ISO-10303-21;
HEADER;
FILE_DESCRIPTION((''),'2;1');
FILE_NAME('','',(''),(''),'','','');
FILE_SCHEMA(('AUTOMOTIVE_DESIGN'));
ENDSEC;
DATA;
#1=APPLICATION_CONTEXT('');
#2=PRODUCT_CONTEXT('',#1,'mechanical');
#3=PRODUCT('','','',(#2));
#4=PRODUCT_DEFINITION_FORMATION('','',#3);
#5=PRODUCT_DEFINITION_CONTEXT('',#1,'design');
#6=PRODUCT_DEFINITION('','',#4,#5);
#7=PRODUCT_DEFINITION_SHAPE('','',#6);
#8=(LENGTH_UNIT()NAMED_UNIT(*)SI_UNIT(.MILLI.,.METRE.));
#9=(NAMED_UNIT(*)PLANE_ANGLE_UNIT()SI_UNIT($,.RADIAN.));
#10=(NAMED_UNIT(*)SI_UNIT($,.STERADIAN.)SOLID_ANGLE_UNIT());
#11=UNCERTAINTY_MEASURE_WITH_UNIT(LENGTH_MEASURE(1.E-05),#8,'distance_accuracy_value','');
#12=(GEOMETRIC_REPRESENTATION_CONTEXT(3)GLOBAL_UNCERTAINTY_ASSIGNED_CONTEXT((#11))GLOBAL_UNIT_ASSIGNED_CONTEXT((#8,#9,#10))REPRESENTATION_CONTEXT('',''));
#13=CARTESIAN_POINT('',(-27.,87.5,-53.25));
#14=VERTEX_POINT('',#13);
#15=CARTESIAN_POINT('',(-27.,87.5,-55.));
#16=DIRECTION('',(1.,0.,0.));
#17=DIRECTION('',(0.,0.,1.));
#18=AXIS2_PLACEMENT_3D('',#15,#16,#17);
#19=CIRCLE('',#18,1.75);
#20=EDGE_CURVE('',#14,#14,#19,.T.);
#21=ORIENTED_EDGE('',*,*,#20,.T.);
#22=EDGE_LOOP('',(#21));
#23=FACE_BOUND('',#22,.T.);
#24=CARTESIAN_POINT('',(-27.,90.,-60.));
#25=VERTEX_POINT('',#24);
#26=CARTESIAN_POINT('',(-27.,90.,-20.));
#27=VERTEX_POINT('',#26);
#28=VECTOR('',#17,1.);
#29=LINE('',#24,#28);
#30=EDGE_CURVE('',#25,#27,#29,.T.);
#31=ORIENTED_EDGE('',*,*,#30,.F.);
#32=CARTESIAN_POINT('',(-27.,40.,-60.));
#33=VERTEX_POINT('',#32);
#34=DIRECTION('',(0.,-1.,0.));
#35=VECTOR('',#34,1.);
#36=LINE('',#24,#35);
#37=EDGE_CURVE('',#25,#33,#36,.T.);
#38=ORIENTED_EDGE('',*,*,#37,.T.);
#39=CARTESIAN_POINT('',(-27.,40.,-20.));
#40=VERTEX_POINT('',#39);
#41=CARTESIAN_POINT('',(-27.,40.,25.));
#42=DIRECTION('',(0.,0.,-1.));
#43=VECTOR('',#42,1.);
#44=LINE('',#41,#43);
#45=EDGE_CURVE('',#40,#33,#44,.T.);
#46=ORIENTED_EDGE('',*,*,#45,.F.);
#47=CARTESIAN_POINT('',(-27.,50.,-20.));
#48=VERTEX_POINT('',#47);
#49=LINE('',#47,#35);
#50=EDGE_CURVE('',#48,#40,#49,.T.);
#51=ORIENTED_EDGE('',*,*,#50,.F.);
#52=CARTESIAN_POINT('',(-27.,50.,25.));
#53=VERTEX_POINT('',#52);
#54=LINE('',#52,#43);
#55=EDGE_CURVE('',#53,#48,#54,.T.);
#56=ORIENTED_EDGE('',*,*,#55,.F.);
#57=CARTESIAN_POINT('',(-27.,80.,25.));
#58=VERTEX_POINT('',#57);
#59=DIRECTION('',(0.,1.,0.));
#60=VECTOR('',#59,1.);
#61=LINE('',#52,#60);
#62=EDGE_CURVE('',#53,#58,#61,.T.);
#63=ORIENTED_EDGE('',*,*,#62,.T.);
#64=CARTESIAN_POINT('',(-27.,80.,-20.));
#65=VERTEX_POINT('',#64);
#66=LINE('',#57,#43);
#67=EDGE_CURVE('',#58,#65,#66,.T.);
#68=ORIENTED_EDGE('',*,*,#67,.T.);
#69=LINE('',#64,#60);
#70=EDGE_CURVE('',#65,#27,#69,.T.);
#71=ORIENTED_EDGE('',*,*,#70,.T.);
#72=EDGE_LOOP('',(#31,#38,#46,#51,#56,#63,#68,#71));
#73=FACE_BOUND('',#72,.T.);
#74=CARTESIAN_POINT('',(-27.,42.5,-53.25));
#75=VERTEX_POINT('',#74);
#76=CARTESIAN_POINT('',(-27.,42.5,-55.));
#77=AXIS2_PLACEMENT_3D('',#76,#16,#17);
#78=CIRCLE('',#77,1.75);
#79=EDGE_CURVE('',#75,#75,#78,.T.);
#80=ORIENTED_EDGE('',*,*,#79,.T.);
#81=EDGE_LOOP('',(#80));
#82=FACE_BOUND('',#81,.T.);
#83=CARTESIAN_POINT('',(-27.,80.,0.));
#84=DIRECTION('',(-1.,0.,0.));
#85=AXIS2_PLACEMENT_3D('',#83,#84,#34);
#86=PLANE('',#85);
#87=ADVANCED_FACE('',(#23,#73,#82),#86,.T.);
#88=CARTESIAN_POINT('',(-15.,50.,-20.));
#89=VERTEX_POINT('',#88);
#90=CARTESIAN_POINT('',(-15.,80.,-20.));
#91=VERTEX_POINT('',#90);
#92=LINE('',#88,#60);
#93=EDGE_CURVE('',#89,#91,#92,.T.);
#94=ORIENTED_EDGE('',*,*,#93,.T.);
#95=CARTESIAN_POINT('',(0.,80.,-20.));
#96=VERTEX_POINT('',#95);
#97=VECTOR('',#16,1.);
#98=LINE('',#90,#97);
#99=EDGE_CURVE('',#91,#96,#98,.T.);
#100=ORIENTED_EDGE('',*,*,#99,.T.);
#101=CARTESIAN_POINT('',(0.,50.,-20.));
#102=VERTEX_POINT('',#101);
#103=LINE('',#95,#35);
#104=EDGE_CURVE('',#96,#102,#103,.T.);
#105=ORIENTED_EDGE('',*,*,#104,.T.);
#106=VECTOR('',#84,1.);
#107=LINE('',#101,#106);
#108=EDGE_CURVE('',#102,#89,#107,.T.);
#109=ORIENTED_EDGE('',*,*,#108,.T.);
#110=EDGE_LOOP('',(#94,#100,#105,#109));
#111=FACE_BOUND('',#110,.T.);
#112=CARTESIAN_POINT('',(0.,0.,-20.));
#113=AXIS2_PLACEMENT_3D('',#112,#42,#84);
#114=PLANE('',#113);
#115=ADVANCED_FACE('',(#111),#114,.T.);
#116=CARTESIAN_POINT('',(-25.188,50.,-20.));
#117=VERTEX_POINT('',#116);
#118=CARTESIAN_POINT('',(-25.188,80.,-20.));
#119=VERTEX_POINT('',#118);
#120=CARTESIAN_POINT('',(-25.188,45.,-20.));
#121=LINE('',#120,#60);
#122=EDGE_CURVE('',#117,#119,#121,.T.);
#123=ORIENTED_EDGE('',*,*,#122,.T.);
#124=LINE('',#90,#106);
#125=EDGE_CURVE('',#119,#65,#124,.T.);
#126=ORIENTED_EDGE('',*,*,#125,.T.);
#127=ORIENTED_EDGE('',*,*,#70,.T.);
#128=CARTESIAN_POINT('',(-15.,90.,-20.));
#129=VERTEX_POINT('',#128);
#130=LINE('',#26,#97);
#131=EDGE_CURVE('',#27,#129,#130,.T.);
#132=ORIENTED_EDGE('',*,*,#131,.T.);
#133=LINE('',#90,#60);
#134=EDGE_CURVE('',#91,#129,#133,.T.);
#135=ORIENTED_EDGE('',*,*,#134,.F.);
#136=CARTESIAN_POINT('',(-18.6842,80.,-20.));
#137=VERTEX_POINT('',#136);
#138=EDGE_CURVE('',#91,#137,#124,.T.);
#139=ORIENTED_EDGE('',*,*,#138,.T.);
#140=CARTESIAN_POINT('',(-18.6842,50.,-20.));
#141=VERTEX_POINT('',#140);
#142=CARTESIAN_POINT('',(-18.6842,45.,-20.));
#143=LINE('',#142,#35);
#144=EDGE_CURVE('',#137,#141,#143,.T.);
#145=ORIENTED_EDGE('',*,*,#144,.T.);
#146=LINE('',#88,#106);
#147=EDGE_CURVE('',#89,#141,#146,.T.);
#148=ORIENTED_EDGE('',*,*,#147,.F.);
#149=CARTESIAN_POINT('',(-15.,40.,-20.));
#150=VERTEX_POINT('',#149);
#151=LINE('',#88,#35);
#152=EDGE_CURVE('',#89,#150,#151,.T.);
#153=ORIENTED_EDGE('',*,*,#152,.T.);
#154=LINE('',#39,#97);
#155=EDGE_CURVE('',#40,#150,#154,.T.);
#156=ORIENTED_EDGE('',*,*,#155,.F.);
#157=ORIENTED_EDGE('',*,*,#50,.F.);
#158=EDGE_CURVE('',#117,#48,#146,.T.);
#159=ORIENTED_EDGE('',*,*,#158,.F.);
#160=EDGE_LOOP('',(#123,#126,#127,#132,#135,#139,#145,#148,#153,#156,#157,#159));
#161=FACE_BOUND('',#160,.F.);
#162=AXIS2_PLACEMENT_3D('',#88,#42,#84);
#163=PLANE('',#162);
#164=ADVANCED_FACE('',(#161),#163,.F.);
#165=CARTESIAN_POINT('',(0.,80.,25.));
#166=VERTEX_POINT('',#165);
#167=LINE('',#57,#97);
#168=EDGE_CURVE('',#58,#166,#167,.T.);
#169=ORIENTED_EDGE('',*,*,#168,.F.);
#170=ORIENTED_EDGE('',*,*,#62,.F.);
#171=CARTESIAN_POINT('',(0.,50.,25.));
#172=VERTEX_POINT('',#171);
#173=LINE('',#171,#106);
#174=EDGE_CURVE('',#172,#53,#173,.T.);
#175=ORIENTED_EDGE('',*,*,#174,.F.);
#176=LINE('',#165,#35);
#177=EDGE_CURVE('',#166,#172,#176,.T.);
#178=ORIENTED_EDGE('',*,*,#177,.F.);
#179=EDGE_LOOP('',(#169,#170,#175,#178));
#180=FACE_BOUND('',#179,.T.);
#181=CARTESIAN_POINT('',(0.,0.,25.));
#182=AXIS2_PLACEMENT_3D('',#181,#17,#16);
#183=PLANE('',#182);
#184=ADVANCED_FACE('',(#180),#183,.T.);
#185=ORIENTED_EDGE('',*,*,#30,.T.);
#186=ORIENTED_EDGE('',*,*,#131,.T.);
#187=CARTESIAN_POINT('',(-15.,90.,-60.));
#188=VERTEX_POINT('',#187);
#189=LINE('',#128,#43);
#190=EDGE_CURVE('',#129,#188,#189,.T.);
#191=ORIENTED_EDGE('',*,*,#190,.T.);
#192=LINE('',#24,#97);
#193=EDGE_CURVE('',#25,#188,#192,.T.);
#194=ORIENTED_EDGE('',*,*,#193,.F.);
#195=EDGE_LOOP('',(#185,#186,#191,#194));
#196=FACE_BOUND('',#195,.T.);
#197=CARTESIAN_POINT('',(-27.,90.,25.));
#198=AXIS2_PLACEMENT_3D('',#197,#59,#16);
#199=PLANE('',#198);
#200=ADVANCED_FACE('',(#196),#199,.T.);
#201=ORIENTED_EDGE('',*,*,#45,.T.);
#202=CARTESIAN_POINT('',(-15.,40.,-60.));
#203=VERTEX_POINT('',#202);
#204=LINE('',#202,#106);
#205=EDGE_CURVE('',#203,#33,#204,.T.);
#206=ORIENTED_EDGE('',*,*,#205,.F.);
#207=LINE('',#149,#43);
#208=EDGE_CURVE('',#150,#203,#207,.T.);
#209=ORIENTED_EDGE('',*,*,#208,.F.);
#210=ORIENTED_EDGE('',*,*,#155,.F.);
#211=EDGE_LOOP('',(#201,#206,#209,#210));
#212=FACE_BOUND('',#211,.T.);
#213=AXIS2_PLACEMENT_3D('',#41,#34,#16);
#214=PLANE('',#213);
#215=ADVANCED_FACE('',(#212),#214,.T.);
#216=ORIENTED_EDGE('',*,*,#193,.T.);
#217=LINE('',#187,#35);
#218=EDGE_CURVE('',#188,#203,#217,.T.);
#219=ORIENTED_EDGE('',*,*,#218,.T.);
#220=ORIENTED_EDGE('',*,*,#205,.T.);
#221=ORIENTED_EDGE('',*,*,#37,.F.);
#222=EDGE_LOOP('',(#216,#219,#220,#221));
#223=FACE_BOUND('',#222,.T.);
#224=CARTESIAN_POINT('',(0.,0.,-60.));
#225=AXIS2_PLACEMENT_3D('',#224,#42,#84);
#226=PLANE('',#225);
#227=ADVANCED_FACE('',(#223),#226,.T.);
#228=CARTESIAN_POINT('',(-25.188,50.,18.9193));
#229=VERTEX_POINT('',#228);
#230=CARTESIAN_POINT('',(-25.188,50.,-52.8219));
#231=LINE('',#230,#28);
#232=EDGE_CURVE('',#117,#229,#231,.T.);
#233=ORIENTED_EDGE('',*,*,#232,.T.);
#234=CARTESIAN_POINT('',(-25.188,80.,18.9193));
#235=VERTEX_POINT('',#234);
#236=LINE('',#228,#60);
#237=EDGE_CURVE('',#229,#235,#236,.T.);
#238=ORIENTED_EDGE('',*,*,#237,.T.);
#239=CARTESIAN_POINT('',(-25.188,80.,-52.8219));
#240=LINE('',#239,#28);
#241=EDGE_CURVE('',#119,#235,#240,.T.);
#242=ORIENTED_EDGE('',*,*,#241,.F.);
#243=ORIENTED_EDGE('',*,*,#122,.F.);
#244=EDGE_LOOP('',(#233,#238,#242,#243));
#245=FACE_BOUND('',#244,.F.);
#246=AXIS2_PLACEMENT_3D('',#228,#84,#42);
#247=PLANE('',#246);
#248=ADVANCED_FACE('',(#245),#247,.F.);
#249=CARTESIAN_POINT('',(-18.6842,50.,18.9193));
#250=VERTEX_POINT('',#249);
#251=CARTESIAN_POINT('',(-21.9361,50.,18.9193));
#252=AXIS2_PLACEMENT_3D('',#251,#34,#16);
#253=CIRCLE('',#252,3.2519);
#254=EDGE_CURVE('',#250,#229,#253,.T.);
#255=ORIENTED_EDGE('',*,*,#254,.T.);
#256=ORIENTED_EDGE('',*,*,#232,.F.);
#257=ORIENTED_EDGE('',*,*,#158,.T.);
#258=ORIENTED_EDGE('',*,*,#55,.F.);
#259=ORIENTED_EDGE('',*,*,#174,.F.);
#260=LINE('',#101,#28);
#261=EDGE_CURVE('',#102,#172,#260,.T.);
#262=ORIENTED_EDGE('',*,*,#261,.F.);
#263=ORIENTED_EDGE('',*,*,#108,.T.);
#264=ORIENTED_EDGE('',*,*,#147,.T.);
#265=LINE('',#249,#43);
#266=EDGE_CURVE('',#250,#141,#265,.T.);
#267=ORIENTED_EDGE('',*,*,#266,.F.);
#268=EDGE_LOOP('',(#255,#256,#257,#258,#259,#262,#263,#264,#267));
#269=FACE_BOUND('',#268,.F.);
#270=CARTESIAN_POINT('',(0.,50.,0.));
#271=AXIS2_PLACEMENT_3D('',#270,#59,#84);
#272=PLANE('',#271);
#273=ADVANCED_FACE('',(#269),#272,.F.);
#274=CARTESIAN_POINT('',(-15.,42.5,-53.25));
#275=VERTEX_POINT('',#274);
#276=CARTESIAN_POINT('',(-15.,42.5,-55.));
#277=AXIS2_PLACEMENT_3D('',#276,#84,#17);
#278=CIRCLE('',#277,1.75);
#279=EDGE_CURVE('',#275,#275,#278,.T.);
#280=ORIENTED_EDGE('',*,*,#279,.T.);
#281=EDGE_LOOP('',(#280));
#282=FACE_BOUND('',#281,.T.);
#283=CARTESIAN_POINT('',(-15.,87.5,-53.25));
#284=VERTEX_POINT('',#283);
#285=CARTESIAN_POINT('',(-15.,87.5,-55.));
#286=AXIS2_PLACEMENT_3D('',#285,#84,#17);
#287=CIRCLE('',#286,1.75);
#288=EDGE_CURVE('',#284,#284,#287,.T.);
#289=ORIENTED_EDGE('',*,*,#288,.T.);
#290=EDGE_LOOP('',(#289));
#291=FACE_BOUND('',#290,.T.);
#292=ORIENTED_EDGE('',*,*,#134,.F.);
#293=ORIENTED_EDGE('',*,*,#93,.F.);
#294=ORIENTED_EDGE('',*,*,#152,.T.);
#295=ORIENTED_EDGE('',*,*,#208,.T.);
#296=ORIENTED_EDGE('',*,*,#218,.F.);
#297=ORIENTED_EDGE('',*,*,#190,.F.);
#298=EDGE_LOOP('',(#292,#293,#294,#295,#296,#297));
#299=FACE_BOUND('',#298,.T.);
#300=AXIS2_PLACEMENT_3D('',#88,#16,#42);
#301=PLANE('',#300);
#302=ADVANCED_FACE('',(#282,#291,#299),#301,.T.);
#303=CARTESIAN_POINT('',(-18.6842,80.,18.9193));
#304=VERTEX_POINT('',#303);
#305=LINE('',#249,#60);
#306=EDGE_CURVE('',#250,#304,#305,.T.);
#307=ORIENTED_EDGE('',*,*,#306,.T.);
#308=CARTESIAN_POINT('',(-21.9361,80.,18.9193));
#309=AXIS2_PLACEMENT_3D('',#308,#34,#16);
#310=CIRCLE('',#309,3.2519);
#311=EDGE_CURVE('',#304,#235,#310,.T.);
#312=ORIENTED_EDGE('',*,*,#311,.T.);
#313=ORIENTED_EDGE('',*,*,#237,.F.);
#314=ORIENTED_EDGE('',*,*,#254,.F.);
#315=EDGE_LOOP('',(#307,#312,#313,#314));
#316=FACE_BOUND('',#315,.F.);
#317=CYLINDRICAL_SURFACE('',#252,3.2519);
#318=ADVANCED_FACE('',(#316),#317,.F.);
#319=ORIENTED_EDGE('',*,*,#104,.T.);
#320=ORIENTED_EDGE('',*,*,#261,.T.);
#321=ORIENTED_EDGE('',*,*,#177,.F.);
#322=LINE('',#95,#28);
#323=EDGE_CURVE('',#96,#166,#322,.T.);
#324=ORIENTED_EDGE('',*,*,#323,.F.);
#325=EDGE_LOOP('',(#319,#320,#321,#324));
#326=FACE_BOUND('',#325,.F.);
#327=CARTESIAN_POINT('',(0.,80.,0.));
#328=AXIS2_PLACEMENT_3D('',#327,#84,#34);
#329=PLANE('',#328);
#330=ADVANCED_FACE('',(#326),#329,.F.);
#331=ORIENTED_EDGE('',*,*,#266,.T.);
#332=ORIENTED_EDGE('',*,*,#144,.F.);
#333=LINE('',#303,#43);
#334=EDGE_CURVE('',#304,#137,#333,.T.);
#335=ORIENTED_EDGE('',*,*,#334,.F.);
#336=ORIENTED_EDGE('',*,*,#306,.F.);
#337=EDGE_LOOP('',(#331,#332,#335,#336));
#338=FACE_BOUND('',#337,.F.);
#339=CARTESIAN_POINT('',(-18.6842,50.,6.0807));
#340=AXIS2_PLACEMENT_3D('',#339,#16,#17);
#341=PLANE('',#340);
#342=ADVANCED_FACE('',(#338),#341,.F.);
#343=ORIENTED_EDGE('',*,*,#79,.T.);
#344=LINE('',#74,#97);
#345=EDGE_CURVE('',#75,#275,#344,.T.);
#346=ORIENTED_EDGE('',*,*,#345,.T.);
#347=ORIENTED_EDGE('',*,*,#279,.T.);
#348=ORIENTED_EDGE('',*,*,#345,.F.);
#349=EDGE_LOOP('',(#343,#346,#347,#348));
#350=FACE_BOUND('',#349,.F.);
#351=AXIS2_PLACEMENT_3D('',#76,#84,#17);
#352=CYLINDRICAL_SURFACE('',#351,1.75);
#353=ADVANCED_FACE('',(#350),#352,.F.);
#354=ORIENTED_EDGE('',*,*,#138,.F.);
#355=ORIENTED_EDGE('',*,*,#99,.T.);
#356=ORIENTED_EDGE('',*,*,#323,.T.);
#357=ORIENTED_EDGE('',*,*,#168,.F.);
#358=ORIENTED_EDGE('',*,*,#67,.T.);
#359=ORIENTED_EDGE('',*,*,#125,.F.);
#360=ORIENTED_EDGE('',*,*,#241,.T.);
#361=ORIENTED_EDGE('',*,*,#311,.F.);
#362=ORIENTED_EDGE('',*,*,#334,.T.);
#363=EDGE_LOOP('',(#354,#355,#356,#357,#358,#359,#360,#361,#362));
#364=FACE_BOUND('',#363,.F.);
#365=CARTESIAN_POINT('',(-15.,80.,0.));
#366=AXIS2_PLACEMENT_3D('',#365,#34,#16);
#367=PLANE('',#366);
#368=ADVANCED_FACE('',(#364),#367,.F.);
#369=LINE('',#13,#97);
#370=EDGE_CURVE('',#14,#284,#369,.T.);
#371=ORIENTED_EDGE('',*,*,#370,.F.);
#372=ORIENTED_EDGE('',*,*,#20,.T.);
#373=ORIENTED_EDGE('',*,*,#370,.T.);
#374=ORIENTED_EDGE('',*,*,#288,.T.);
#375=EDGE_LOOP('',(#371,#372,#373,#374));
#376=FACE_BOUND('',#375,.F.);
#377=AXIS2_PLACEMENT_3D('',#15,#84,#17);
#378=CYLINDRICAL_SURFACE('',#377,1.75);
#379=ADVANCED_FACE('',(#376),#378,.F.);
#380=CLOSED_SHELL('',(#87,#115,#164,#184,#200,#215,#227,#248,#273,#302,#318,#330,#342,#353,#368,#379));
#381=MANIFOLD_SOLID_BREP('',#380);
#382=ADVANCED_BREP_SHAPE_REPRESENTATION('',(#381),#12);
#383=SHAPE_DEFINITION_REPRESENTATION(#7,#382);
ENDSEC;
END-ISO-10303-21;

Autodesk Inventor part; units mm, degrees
ref_plane "YZ Plane" through (0, 0, 0) normal (1, 0, 0) x (0, 1, 0)
ref_plane "XZ Plane" through (0, 0, 0) normal (0, 1, 0) x (-1, 0, 0)
ref_plane "XY Plane" through (0, 0, 0) normal (0, 0, 1) x (1, 0, 0)
ref_plane "Arbeitsebene1" through (0, 0, 0) normal (0, 0, 1) x (1, 0, 0)
sketch "Skizze1" plane through (0, 0, 0) normal (0, 0, 1) x (1, 0, 0)
  circle A0 centre (-13.5, 65) radius 3 construction
  circle A1 centre (-13.5, 65) radius 3 construction
  line L0 (0, 130) -> (0, 0) construction
  line L1 (0, 130) -> (-27, 130) construction
  line L2 (-27, 0) -> (-27, 130) construction
  line L3 (0, 0) -> (-27, 0) construction
  line L4 (-27, 80) -> (0, 80)
  line L5 (0, 80) -> (0, 50)
  line L6 (0, 50) -> (-27, 50)
  line L7 (-27, 50) -> (-27, 80)
  line L8 (-27, 80) -> (0, 50) construction
  line L9 (0, 80) -> (-27, 50) construction
  dimension "d0" = 30
extrude "Extrusion1" add sketch "Skizze1" along normal blind 25
sketch "Skizze3" plane through (-27, 80, 0) normal (0, 1, 0) x (1, 0, 0)
  line L0 (0, 0) -> (0, -25) projected
  line L1 (0, 0) -> (5.0639, 0)
  line L2 (5.0639, 0) -> (5.0639, -24.302)
  line L3 (5.0639, -24.302) -> (0, -24.302)
  line L4 (0, -24.302) -> (0, 0)
  circle A0 centre (5.0639, -18.8642) radius 3.15
  circle A1 centre (5.0639, -8.0952) radius 3.15
  circle A2 centre (5.0639, -12.5) radius 3.25
  point P0 (27, 0)
  dimension "d6" = 6.3
  dimension "d7" = 6.3
  dimension "d10" = 6.5
extrude "Extrusion4" cut sketch "Skizze3" against normal through all contours A2 A1 L2 | L2 A1 A2 | A1 L2 A0 A2 | A2 A0 L2 | L2 A0 A2 | A1 A2 A0 L2 picked at (5.2798, -10.5577) picked at (4.848, -10.5577) picked at (5.0263, -15.7268) picked at (5.1015, -15.7268)
sketch "Skizze5" plane through (-27, 50, 0) normal (0, -1, 0) x (1, 0, 0)
  circle A0 centre (5.0639, 12.5) radius 3.25 construction
  line L0 (5.0639, 18.9193) -> (5.0639, 6.0807) construction
  line L1 (1.812, 18.9193) -> (1.812, 6.0807)
  line L2 (8.3158, 6.0807) -> (8.3158, 18.9193)
  arc A1 (8.3158, 18.9193) -> (1.812, 18.9193) centre (5.0639, 18.9193) ccw
  arc A2 (1.812, 6.0807) -> (8.3158, 6.0807) centre (5.0639, 6.0807) ccw
  point P0 (27, 0)
extrude "Extrusion6" cut sketch "Skizze5" against normal through all
sketch "Skizze6" plane through (0, 0, 0) normal (0, 0, -1) x (-1, 0, 0)
  line L0 (27, 50) -> (0, 50) projected
  line L1 (27, 80) -> (0, 80) projected
  line L2 (27, 50) -> (15, 50)
  line L3 (15, 50) -> (15, 80)
  line L4 (15, 80) -> (27, 80)
  line L5 (27, 80) -> (27, 50)
  point P0 (0, 0)
  dimension "d20" = 12
extrude "Extrusion7" add sketch "Skizze6" along normal blind 60
sketch "Skizze7" plane through (-27, 80, 25) normal (0, 1, 0) x (1, 0, 0)
  line L0 (12, 25) -> (27, 25) construction
  line L1 (12, 25) -> (12, 85) construction
  line L2 (0, 85) -> (12, 85) construction
  line L3 (0, 85) -> (0, 0) construction
  line L4 (27, 0) -> (0, 0) construction
  line L5 (27, 25) -> (27, 0) construction
  arc A0 (8.3158, 18.9193) -> (1.812, 18.9193) centre (5.0639, 18.9193) ccw construction
  line L6 (8.3158, 18.9193) -> (8.3158, 6.0807) construction
  arc A1 (1.812, 6.0807) -> (8.3158, 6.0807) centre (5.0639, 6.0807) ccw construction
  line L7 (1.812, 6.0807) -> (1.812, 18.9193) construction
  line L8 (5.0639, 18.9193) -> (5.0639, 77.8219) construction
  line L9 (8.3158, 18.9193) -> (8.3158, 77.8219)
  line L10 (1.812, 77.8219) -> (1.812, 18.9193)
  arc A2 (1.812, 18.9193) -> (8.3158, 18.9193) centre (5.0639, 18.9193) ccw
  arc A3 (8.3158, 77.8219) -> (1.812, 77.8219) centre (5.0639, 77.8219) ccw
  point P0 (27, 25)
  point P1 (5.0639, 48.3706)
extrude "Extrusion8" cut sketch "Skizze7" against normal through all
sketch "Skizze8" plane through (0, 0, 0) normal (0, 0, -1) x (-1, 0, 0)
  line L0 (15, 50) -> (15, 80) projected
  line L1 (15, 80) -> (0, 80) projected
  line L2 (0, 80) -> (0, 50) projected
  line L3 (0, 50) -> (15, 50) projected
  point P0 (0, 0)
extrude "Extrusion9" add sketch "Skizze8" along normal blind 20
sketch "Skizze10" plane through (-27, 50, 25) normal (0, -1, 0) x (1, 0, 0)
  line L0 (1.812, -77.8219) -> (1.812, -6.0807) projected
  arc A0 (8.3158, -6.0807) -> (1.812, -6.0807) centre (5.0639, -6.0807) ccw projected
  line L1 (8.3158, -6.0807) -> (8.3158, -77.8219) projected
  arc A1 (1.812, -77.8219) -> (8.3158, -77.8219) centre (5.0639, -77.8219) ccw projected
  line L2 (27, 0) -> (27, -45) projected
  line L3 (0, 0) -> (27, 0) projected
  line L4 (0, 0) -> (0, -85) projected
  line L5 (12, -85) -> (0, -85) projected
  line L6 (12, -45) -> (12, -85) projected
  line L7 (27, -45) -> (12, -45) projected
  line L8 (12, -45) -> (12, -85) projected
  line L9 (12, -45) -> (0, -45)
  point P0 (27, -25)
extrude "Extrusion10" add sketch "Skizze10" along normal blind 10 contours A1 L1 L9 L6 L5 L4 L0 | L0 L9 L1 A1
sketch "Skizze11" plane through (-27, 80, 25) normal (0, 1, 0) x (1, 0, 0)
  line L0 (0, 85) -> (0, 0) projected
  line L1 (27, 0) -> (0, 0) projected
  line L2 (27, 0) -> (27, 45) projected
  line L3 (12, 45) -> (27, 45) projected
  line L4 (12, 45) -> (12, 85) projected
  line L5 (0, 85) -> (12, 85) projected
  line L6 (1.812, 6.0807) -> (1.812, 77.8219) projected
  arc A0 (8.3158, 77.8219) -> (1.812, 77.8219) centre (5.0639, 77.8219) ccw projected
  line L7 (8.3158, 77.8219) -> (8.3158, 6.0807) projected
  arc A1 (1.812, 6.0807) -> (8.3158, 6.0807) centre (5.0639, 6.0807) ccw projected
  line L8 (12, 45) -> (0, 45) projected
  line L9 (12, 45) -> (0, 45)
  point P0 (27, 25)
extrude "Extrusion11" add sketch "Skizze11" along normal blind 10 contours L5 L4 L8 L7 A0 L6 L0 | L6 A0 L7 L8
sketch "Skizze13" plane through (-27, 40, 25) normal (0, -1, 0) x (1, 0, 0)
  line L0 (0, -85) -> (12, -85) projected
  line L1 (12, -85) -> (12, -45) projected
  line L2 (12, -45) -> (0, -45) projected
  line L3 (0, -45) -> (0, -85) projected
  point P0 (27, -25)
extrude "Extrusion12" add sketch "Skizze13" against normal up to surface (50 mm away)
sketch "Skizze14" plane through (-27, 50, 25) normal (-1, 0, 0) x (0, 0, 1)
  line L0 (-85, 40) -> (-85, -10) projected
  line L1 (-85, 15) -> (-0.0726, 15)
  line L2 (-85, 21.5305) -> (-80, 21.5305)
  line L3 (-80, 15) -> (-80, 37.5)
  line L4 (-80, 37.5) -> (-80, -7.5)
  circle A0 centre (-80, -7.5) radius 1.75
  circle A1 centre (-80, 37.5) radius 1.75
  point P0 (-25, -50)
  dimension "d38" = 5
  dimension "d39" = 22.5
  dimension "d40" = 45
  dimension "d41" = 3.5
  dimension "d42" = 3.5
extrude "Extrusion13" cut sketch "Skizze14" against normal through all contours A1 | A0
properties part number "kinect_fixt"
